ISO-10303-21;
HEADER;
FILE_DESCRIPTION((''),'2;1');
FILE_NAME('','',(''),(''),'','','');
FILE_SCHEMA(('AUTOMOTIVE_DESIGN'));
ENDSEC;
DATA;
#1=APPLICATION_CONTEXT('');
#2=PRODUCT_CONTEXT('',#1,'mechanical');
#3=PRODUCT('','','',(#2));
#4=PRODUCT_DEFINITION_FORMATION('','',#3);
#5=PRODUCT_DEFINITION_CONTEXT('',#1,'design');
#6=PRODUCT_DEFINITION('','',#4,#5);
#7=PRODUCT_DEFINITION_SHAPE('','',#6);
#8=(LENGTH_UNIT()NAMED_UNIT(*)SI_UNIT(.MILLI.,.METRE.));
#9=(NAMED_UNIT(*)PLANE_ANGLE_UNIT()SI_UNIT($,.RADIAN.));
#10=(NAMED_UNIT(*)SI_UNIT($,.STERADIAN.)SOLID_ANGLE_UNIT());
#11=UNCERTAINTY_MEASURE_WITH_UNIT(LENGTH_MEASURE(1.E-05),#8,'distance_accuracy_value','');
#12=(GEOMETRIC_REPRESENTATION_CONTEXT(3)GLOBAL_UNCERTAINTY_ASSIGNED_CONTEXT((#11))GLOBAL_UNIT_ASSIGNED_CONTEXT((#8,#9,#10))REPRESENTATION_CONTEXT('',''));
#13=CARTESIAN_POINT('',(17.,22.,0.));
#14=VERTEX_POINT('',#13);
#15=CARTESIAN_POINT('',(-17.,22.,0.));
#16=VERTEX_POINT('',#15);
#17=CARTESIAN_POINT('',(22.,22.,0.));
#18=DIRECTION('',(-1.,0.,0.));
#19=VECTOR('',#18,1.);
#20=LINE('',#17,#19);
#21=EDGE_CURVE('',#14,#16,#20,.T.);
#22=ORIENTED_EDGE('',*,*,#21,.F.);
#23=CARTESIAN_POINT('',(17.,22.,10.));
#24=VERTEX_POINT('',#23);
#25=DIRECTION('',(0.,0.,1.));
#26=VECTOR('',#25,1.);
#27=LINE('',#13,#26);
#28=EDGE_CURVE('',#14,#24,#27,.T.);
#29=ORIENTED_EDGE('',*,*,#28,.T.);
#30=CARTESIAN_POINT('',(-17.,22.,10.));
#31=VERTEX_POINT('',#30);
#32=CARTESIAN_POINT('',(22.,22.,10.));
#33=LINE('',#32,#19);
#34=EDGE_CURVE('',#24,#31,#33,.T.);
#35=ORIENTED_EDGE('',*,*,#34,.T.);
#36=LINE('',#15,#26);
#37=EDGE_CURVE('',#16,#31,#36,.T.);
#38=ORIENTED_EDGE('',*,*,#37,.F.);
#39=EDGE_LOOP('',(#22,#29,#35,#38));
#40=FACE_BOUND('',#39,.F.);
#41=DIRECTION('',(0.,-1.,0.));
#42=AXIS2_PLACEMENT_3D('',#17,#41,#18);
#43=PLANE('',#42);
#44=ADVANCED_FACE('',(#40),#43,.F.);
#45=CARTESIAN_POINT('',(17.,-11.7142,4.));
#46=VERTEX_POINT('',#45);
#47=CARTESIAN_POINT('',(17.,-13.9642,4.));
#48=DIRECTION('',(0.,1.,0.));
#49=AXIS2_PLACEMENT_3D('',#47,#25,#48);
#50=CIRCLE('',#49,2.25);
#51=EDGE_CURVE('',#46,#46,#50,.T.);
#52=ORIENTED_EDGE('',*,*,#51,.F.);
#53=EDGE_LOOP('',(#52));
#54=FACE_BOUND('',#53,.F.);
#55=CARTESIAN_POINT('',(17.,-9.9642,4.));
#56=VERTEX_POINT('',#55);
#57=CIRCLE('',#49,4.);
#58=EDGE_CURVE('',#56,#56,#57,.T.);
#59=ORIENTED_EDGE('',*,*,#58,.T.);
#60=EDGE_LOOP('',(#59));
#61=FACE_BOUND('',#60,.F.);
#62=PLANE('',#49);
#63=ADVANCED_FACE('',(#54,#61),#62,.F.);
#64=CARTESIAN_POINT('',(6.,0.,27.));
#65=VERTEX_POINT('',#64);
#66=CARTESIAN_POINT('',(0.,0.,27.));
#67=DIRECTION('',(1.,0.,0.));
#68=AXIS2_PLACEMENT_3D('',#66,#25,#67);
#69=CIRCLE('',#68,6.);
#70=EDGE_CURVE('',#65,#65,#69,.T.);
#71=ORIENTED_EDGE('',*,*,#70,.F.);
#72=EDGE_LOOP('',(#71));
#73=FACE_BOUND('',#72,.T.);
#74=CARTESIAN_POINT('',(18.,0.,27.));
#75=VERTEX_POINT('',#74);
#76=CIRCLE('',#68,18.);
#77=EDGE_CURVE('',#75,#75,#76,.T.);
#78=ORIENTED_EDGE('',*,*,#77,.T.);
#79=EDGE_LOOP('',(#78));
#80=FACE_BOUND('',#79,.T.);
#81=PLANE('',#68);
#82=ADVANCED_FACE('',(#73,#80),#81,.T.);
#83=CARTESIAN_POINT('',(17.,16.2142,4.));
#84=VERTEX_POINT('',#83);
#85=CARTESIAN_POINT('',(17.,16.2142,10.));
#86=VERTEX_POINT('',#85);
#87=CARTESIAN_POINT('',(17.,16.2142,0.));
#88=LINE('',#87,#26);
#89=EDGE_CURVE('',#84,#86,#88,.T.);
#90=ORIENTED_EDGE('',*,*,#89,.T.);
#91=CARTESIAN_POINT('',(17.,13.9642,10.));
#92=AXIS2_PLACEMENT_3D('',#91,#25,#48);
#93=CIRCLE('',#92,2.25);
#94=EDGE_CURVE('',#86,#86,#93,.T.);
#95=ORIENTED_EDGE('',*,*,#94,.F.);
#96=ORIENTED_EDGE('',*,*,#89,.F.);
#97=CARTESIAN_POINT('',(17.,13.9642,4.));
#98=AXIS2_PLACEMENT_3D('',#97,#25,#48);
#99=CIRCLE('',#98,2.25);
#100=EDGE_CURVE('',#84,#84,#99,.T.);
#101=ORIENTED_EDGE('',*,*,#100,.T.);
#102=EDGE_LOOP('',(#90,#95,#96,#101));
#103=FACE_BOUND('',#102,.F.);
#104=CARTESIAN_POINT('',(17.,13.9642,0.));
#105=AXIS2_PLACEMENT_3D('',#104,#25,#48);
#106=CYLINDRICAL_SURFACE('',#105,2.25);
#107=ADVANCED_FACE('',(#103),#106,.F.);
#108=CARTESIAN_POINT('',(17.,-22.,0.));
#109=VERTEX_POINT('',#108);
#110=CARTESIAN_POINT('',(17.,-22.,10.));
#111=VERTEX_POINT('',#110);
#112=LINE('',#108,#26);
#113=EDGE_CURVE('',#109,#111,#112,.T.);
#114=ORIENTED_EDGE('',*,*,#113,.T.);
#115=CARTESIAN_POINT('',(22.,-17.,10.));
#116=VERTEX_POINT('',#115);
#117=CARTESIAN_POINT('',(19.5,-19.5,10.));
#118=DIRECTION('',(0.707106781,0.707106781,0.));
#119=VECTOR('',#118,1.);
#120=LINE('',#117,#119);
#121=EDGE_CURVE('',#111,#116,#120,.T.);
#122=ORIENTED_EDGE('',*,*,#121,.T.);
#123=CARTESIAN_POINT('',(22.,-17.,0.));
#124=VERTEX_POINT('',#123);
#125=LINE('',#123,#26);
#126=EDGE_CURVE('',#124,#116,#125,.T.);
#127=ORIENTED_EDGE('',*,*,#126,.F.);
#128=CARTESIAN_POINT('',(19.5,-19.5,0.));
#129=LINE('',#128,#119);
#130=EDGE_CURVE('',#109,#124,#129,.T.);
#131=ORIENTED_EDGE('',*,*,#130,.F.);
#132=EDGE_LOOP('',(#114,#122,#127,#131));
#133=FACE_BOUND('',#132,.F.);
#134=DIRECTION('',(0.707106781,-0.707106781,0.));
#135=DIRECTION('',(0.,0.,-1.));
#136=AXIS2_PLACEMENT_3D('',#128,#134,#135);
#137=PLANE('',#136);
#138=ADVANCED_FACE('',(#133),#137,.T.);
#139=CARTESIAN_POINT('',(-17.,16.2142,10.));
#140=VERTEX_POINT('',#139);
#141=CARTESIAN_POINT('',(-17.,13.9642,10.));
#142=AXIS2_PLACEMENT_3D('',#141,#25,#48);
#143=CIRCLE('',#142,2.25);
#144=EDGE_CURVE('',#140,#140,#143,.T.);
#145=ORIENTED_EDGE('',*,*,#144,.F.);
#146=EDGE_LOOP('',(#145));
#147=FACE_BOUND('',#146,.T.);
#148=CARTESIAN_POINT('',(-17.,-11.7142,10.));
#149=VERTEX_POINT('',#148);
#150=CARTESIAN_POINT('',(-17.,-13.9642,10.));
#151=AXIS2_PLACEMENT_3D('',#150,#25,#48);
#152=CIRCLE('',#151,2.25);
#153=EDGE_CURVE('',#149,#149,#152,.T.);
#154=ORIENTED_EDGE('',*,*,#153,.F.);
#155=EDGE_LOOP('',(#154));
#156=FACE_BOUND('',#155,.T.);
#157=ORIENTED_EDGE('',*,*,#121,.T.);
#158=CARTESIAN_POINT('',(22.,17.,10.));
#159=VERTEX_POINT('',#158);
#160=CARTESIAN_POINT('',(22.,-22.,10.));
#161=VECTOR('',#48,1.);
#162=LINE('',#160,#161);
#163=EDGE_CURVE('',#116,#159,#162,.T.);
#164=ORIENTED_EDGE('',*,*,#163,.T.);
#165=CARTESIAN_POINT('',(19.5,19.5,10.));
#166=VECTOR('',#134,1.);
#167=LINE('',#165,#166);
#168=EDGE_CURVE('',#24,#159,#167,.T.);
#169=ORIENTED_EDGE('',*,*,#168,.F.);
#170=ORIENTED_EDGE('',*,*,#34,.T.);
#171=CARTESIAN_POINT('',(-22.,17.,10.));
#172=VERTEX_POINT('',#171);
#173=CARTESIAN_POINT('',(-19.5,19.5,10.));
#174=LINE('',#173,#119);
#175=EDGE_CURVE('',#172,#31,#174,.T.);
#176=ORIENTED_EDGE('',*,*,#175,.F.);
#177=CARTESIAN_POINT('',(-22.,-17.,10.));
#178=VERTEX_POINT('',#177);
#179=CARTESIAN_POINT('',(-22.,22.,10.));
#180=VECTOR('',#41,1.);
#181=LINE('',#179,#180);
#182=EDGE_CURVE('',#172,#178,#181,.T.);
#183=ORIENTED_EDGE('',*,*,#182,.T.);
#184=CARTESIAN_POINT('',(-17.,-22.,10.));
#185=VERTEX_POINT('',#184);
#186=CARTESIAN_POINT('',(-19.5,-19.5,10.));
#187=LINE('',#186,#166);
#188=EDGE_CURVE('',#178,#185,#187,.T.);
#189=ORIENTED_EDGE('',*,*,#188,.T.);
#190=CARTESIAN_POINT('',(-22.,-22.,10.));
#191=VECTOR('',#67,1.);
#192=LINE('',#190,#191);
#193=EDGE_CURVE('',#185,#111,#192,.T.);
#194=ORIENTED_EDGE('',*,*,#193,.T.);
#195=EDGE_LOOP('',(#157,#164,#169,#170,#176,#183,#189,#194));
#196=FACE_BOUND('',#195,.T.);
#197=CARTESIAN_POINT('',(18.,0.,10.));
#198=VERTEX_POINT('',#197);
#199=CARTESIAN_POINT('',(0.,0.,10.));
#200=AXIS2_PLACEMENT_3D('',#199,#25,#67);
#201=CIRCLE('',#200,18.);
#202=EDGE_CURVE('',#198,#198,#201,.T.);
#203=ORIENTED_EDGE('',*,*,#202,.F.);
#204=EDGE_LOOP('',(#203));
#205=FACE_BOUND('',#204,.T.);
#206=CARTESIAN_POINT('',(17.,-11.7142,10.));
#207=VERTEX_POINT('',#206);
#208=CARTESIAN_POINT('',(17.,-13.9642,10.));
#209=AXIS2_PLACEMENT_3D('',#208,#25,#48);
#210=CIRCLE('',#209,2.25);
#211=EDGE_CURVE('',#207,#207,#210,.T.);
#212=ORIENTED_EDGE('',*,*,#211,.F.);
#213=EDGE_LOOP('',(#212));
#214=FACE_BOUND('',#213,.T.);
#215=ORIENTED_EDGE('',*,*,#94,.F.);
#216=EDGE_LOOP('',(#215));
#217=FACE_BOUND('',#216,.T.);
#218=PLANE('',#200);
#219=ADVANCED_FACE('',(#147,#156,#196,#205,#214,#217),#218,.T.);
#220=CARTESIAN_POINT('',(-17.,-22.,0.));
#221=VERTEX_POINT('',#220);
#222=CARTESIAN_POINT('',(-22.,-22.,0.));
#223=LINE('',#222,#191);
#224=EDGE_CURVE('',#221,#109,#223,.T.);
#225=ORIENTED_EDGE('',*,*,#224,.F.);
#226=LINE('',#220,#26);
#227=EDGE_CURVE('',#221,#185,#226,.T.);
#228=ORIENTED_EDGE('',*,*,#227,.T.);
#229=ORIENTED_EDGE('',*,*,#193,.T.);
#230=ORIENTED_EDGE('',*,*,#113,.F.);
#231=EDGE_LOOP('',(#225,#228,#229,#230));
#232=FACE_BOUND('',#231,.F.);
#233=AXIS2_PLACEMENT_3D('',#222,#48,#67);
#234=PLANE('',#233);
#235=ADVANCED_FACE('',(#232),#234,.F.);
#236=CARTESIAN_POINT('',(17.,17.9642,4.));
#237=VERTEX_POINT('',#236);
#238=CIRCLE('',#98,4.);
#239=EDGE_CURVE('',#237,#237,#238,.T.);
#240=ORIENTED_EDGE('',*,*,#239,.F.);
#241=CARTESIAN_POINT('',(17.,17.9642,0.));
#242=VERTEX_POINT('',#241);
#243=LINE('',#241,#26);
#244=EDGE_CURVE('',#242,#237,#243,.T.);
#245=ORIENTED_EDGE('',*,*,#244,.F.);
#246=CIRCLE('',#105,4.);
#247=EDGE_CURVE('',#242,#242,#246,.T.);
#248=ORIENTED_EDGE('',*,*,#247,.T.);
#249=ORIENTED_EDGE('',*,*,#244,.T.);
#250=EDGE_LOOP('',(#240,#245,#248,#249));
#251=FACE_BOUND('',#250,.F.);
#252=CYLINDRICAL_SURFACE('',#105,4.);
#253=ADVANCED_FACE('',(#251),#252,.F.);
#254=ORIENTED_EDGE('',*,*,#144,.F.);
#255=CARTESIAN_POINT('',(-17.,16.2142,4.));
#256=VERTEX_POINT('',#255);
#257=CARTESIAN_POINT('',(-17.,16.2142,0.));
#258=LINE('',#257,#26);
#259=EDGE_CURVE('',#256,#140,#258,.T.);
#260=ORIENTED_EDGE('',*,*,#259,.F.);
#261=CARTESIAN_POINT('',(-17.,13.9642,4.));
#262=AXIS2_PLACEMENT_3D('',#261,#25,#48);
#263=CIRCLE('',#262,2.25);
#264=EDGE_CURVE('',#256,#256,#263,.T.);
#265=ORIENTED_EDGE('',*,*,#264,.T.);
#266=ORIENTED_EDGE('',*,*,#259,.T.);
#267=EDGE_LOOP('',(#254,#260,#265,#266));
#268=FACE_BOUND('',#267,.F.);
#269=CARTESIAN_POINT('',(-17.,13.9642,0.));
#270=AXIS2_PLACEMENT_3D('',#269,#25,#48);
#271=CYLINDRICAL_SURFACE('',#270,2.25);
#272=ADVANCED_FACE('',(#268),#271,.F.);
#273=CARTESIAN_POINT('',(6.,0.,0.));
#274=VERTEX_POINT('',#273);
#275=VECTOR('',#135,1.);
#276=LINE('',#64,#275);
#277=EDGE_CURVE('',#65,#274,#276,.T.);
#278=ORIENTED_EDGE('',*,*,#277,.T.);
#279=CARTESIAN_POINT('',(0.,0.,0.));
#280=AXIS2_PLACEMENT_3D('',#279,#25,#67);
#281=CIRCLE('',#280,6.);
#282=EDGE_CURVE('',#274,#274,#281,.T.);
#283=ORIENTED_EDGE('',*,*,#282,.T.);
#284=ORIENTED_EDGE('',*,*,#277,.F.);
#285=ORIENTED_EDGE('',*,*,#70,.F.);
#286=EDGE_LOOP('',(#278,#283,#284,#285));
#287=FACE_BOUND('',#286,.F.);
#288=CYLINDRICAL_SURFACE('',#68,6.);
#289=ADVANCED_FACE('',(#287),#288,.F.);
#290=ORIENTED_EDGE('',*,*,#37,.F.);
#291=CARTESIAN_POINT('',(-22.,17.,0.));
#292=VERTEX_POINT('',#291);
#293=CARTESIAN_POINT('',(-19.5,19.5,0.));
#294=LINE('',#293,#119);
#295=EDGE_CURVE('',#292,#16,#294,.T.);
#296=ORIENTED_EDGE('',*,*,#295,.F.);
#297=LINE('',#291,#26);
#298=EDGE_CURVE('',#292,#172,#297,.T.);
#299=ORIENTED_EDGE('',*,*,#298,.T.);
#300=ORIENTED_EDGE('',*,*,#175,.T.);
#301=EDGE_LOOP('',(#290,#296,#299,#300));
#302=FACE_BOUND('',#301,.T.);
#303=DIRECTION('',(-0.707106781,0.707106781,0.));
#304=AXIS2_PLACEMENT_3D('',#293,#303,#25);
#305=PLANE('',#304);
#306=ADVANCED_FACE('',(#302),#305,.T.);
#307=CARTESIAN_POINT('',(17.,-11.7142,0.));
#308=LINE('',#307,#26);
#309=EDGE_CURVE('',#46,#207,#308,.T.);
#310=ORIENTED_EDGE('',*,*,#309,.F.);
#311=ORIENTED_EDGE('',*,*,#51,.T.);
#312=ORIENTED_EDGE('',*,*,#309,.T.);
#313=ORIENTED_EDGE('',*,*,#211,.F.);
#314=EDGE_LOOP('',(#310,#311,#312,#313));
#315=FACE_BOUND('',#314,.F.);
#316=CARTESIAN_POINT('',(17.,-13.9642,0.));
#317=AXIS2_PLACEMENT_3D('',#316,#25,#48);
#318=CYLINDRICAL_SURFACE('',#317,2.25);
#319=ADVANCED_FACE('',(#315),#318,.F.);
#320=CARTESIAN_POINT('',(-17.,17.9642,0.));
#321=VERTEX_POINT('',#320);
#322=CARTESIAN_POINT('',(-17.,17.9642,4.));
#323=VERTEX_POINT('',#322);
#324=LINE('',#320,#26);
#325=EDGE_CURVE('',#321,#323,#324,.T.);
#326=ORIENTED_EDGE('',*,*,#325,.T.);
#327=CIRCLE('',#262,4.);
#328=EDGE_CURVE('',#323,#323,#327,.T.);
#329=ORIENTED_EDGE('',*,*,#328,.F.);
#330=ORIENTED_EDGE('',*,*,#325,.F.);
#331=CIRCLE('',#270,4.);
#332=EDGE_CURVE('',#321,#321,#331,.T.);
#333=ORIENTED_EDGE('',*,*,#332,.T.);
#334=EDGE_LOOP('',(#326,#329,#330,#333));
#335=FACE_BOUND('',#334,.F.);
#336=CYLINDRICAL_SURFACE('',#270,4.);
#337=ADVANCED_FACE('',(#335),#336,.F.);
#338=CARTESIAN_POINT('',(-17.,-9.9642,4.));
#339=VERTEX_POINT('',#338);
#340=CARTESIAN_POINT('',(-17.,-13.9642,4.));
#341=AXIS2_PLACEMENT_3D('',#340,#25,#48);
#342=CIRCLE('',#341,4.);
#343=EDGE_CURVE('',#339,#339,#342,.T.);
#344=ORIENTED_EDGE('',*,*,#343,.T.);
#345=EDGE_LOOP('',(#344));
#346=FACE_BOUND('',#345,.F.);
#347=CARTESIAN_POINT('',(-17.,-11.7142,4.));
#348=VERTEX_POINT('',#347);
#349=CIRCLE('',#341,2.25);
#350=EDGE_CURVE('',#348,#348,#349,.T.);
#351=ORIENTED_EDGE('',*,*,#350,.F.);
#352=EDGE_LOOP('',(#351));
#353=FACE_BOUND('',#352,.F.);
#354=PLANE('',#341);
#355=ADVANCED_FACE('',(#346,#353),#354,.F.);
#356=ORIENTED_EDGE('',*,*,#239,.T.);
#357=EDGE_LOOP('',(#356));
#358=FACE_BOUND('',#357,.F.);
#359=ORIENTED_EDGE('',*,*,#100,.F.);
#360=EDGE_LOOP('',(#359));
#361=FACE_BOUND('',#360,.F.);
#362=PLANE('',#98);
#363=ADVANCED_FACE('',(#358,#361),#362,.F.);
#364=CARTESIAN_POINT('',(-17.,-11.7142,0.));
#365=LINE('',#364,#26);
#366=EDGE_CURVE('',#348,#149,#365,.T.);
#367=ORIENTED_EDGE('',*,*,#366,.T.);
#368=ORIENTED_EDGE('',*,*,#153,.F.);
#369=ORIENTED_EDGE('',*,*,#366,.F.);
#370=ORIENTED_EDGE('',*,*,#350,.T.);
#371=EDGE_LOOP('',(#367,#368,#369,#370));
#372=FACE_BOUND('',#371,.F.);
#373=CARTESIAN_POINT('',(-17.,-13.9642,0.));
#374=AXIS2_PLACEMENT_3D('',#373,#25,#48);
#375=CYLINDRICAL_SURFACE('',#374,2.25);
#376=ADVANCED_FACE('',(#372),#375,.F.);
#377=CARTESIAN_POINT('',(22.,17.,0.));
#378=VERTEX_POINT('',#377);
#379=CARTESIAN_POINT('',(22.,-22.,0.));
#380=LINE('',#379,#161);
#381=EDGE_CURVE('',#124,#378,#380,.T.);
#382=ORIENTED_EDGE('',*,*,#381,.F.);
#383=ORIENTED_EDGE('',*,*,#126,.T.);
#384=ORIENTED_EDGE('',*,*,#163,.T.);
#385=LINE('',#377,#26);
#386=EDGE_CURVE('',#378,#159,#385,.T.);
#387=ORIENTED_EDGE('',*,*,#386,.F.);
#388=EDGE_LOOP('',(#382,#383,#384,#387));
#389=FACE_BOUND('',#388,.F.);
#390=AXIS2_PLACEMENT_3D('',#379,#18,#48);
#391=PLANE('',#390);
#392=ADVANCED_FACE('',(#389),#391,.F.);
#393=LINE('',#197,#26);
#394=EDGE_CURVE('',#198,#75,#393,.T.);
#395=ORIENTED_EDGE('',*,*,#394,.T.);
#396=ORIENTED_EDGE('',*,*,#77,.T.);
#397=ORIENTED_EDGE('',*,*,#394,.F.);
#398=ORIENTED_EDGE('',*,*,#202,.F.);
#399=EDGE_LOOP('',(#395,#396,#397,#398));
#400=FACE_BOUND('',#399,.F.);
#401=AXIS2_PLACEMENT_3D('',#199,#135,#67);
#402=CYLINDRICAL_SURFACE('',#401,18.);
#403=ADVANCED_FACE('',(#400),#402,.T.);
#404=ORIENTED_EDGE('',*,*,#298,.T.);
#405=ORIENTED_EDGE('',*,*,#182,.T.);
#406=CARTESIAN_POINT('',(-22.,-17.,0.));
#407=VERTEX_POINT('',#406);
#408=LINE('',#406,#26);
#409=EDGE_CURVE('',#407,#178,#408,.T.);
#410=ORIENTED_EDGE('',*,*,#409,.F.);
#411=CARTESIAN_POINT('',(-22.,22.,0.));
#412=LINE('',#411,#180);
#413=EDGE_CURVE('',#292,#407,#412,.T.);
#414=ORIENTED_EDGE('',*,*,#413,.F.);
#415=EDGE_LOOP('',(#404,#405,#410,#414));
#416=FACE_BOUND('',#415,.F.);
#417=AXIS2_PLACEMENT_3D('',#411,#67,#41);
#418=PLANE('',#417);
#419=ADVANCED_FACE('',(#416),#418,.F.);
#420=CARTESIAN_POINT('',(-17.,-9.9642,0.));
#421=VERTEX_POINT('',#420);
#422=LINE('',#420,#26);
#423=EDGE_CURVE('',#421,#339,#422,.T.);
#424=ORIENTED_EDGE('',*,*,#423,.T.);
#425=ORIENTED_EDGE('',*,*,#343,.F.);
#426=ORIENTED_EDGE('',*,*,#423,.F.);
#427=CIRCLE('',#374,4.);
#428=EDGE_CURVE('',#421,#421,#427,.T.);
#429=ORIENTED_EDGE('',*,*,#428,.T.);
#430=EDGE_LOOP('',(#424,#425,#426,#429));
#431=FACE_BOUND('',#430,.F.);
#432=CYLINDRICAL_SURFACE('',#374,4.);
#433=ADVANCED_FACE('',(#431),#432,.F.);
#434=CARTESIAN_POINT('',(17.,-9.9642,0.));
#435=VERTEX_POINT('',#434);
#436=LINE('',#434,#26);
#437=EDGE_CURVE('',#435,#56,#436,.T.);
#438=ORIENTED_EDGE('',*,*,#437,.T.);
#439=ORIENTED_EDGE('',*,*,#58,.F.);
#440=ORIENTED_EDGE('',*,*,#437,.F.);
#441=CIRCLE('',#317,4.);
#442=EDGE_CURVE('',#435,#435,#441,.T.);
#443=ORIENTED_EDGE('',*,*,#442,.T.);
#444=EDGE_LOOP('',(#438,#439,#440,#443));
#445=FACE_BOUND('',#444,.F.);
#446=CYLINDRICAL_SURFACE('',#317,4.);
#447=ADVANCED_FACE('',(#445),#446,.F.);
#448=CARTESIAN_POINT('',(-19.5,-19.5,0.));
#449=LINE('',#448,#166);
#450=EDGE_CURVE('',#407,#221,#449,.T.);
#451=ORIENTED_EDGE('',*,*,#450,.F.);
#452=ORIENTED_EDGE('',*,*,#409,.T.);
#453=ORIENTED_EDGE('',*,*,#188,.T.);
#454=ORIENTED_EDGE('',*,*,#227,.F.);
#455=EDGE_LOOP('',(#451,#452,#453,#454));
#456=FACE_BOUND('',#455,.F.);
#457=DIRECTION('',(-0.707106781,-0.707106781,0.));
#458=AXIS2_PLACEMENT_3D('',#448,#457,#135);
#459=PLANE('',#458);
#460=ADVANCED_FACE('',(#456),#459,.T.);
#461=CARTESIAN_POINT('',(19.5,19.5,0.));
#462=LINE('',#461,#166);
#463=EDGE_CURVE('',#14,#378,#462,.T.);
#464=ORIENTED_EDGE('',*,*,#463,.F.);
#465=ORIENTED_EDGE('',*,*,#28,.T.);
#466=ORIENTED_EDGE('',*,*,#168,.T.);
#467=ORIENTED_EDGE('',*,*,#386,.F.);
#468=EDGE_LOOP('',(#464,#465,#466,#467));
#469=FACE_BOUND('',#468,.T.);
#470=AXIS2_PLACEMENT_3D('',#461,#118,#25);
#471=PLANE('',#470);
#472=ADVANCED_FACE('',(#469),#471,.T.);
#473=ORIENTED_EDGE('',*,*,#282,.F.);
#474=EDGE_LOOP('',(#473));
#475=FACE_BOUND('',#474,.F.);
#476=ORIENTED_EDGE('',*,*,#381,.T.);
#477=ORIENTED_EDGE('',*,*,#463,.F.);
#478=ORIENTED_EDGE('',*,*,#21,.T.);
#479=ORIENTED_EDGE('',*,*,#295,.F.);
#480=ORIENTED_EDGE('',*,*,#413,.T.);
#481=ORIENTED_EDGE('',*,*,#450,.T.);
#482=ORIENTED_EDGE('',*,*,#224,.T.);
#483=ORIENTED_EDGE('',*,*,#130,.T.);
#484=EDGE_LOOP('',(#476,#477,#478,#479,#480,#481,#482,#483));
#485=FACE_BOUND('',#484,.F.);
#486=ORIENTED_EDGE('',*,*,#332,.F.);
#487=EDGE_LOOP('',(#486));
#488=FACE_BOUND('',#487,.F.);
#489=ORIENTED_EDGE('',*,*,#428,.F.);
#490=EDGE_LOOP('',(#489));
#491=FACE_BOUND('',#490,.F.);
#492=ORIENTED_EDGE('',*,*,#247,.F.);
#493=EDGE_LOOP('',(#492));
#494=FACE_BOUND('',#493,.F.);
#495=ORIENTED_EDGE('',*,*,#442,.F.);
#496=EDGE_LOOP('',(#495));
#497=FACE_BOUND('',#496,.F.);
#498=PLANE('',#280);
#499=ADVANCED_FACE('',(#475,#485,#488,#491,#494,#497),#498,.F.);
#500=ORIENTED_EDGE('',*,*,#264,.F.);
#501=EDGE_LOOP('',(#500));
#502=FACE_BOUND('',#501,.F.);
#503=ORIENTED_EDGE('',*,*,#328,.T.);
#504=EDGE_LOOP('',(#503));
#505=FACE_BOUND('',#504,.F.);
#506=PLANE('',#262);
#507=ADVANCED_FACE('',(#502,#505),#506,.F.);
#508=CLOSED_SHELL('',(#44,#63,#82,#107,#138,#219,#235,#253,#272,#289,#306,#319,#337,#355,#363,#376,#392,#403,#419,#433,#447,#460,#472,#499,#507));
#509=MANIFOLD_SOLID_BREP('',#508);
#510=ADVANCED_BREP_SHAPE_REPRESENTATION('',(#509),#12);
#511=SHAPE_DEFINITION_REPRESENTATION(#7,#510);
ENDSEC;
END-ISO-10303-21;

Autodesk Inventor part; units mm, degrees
ref_plane "YZ Plane" through (0, 0, 0) normal (1, 0, 0) x (0, 1, 0)
ref_plane "XZ Plane" through (0, 0, 0) normal (0, 1, 0) x (-1, 0, 0)
ref_plane "XY Plane" through (0, 0, 0) normal (0, 0, 1) x (1, 0, 0)
sketch "Sketch1" plane through (0, 0, 0) normal (0, 0, 1) x (1, 0, 0)
  line L0 (-22, -22) -> (22, -22)
  line L1 (22, -22) -> (22, 22)
  line L2 (22, 22) -> (-22, 22)
  line L3 (-22, 22) -> (-22, -22)
  line L4 (-22, -22) -> (22, 22) construction
  line L5 (22, -22) -> (-22, 22) construction
  point P0 (0, 0)
  point P1 (0, 0)
  dimension "a" = 44
  dimension "d10" = 22
  dimension "d11" = 22
  dimension "d15" = 44
extrude "Extrusion1" add sketch "Sketch1" along normal blind 10
sketch "Sketch2" plane through (0, 0, 10) normal (0, 0, 1) x (1, 0, 0)
  circle A0 centre (0, 0) radius 18
  dimension "dg6" = 36
extrude "Extrusion2" add sketch "Sketch2" along normal blind 17
sketch "Sketch3" plane through (0, 0, 27) normal (0, 0, 1) x (1, 0, 0)
  circle A0 centre (0, 0) radius 18 projected
  circle A1 centre (0, 0) radius 6
  dimension "d1" = 12
extrude "Extrusion3" cut sketch "Sketch3" against normal through all contours A1
chamfer "Chamfer1" distance 5 angle 45 4 edges at (22, 22, 5) (22, -22, 5) (-22, -22, 5) (-22, 22, 5)
sketch "Sketch4" plane through (0, 0, 0) normal (0, 0, -1) x (-1, 0, 0)
  circle A0 centre (0, 0) radius 6 projected
  circle A1 centre (0, 0) radius 22 construction
  point P0 (17, 13.9642)
  point P1 (-17, -13.9642)
  point P2 (-17, 13.9642)
  point P3 (17, -13.9642)
  dimension "d16" = 44
  dimension "d17" = 34
hole "Hole1" at (-17, 13.9642, 0) at (17, -13.9642, 0) at (17, 13.9642, 0) at (-17, -13.9642, 0) direction (0, 0, 1) diameter 4.5 end through all
sketch "Sketch5" plane through (0, 0, 0) normal (0, 0, -1) x (-1, 0, 0)
  circle A0 centre (-17, 13.9642) radius 2.25 projected
  circle A1 centre (17, 13.9642) radius 2.25 projected
  circle A2 centre (-17, -13.9642) radius 2.25 projected
  circle A3 centre (17, -13.9642) radius 2.25 projected
hole "Hole2" at (17, 13.9642, 0) at (-17, 13.9642, 0) at (-17, -13.9642, 0) at (17, -13.9642, 0) direction (0, 0, 1) diameter 8 depth 4
equation "\"d10\" = 0.5 * a"
equation "\"d11\" = 0.5 * a"
equation "\"d15\" = a"
properties part number "fk12"
